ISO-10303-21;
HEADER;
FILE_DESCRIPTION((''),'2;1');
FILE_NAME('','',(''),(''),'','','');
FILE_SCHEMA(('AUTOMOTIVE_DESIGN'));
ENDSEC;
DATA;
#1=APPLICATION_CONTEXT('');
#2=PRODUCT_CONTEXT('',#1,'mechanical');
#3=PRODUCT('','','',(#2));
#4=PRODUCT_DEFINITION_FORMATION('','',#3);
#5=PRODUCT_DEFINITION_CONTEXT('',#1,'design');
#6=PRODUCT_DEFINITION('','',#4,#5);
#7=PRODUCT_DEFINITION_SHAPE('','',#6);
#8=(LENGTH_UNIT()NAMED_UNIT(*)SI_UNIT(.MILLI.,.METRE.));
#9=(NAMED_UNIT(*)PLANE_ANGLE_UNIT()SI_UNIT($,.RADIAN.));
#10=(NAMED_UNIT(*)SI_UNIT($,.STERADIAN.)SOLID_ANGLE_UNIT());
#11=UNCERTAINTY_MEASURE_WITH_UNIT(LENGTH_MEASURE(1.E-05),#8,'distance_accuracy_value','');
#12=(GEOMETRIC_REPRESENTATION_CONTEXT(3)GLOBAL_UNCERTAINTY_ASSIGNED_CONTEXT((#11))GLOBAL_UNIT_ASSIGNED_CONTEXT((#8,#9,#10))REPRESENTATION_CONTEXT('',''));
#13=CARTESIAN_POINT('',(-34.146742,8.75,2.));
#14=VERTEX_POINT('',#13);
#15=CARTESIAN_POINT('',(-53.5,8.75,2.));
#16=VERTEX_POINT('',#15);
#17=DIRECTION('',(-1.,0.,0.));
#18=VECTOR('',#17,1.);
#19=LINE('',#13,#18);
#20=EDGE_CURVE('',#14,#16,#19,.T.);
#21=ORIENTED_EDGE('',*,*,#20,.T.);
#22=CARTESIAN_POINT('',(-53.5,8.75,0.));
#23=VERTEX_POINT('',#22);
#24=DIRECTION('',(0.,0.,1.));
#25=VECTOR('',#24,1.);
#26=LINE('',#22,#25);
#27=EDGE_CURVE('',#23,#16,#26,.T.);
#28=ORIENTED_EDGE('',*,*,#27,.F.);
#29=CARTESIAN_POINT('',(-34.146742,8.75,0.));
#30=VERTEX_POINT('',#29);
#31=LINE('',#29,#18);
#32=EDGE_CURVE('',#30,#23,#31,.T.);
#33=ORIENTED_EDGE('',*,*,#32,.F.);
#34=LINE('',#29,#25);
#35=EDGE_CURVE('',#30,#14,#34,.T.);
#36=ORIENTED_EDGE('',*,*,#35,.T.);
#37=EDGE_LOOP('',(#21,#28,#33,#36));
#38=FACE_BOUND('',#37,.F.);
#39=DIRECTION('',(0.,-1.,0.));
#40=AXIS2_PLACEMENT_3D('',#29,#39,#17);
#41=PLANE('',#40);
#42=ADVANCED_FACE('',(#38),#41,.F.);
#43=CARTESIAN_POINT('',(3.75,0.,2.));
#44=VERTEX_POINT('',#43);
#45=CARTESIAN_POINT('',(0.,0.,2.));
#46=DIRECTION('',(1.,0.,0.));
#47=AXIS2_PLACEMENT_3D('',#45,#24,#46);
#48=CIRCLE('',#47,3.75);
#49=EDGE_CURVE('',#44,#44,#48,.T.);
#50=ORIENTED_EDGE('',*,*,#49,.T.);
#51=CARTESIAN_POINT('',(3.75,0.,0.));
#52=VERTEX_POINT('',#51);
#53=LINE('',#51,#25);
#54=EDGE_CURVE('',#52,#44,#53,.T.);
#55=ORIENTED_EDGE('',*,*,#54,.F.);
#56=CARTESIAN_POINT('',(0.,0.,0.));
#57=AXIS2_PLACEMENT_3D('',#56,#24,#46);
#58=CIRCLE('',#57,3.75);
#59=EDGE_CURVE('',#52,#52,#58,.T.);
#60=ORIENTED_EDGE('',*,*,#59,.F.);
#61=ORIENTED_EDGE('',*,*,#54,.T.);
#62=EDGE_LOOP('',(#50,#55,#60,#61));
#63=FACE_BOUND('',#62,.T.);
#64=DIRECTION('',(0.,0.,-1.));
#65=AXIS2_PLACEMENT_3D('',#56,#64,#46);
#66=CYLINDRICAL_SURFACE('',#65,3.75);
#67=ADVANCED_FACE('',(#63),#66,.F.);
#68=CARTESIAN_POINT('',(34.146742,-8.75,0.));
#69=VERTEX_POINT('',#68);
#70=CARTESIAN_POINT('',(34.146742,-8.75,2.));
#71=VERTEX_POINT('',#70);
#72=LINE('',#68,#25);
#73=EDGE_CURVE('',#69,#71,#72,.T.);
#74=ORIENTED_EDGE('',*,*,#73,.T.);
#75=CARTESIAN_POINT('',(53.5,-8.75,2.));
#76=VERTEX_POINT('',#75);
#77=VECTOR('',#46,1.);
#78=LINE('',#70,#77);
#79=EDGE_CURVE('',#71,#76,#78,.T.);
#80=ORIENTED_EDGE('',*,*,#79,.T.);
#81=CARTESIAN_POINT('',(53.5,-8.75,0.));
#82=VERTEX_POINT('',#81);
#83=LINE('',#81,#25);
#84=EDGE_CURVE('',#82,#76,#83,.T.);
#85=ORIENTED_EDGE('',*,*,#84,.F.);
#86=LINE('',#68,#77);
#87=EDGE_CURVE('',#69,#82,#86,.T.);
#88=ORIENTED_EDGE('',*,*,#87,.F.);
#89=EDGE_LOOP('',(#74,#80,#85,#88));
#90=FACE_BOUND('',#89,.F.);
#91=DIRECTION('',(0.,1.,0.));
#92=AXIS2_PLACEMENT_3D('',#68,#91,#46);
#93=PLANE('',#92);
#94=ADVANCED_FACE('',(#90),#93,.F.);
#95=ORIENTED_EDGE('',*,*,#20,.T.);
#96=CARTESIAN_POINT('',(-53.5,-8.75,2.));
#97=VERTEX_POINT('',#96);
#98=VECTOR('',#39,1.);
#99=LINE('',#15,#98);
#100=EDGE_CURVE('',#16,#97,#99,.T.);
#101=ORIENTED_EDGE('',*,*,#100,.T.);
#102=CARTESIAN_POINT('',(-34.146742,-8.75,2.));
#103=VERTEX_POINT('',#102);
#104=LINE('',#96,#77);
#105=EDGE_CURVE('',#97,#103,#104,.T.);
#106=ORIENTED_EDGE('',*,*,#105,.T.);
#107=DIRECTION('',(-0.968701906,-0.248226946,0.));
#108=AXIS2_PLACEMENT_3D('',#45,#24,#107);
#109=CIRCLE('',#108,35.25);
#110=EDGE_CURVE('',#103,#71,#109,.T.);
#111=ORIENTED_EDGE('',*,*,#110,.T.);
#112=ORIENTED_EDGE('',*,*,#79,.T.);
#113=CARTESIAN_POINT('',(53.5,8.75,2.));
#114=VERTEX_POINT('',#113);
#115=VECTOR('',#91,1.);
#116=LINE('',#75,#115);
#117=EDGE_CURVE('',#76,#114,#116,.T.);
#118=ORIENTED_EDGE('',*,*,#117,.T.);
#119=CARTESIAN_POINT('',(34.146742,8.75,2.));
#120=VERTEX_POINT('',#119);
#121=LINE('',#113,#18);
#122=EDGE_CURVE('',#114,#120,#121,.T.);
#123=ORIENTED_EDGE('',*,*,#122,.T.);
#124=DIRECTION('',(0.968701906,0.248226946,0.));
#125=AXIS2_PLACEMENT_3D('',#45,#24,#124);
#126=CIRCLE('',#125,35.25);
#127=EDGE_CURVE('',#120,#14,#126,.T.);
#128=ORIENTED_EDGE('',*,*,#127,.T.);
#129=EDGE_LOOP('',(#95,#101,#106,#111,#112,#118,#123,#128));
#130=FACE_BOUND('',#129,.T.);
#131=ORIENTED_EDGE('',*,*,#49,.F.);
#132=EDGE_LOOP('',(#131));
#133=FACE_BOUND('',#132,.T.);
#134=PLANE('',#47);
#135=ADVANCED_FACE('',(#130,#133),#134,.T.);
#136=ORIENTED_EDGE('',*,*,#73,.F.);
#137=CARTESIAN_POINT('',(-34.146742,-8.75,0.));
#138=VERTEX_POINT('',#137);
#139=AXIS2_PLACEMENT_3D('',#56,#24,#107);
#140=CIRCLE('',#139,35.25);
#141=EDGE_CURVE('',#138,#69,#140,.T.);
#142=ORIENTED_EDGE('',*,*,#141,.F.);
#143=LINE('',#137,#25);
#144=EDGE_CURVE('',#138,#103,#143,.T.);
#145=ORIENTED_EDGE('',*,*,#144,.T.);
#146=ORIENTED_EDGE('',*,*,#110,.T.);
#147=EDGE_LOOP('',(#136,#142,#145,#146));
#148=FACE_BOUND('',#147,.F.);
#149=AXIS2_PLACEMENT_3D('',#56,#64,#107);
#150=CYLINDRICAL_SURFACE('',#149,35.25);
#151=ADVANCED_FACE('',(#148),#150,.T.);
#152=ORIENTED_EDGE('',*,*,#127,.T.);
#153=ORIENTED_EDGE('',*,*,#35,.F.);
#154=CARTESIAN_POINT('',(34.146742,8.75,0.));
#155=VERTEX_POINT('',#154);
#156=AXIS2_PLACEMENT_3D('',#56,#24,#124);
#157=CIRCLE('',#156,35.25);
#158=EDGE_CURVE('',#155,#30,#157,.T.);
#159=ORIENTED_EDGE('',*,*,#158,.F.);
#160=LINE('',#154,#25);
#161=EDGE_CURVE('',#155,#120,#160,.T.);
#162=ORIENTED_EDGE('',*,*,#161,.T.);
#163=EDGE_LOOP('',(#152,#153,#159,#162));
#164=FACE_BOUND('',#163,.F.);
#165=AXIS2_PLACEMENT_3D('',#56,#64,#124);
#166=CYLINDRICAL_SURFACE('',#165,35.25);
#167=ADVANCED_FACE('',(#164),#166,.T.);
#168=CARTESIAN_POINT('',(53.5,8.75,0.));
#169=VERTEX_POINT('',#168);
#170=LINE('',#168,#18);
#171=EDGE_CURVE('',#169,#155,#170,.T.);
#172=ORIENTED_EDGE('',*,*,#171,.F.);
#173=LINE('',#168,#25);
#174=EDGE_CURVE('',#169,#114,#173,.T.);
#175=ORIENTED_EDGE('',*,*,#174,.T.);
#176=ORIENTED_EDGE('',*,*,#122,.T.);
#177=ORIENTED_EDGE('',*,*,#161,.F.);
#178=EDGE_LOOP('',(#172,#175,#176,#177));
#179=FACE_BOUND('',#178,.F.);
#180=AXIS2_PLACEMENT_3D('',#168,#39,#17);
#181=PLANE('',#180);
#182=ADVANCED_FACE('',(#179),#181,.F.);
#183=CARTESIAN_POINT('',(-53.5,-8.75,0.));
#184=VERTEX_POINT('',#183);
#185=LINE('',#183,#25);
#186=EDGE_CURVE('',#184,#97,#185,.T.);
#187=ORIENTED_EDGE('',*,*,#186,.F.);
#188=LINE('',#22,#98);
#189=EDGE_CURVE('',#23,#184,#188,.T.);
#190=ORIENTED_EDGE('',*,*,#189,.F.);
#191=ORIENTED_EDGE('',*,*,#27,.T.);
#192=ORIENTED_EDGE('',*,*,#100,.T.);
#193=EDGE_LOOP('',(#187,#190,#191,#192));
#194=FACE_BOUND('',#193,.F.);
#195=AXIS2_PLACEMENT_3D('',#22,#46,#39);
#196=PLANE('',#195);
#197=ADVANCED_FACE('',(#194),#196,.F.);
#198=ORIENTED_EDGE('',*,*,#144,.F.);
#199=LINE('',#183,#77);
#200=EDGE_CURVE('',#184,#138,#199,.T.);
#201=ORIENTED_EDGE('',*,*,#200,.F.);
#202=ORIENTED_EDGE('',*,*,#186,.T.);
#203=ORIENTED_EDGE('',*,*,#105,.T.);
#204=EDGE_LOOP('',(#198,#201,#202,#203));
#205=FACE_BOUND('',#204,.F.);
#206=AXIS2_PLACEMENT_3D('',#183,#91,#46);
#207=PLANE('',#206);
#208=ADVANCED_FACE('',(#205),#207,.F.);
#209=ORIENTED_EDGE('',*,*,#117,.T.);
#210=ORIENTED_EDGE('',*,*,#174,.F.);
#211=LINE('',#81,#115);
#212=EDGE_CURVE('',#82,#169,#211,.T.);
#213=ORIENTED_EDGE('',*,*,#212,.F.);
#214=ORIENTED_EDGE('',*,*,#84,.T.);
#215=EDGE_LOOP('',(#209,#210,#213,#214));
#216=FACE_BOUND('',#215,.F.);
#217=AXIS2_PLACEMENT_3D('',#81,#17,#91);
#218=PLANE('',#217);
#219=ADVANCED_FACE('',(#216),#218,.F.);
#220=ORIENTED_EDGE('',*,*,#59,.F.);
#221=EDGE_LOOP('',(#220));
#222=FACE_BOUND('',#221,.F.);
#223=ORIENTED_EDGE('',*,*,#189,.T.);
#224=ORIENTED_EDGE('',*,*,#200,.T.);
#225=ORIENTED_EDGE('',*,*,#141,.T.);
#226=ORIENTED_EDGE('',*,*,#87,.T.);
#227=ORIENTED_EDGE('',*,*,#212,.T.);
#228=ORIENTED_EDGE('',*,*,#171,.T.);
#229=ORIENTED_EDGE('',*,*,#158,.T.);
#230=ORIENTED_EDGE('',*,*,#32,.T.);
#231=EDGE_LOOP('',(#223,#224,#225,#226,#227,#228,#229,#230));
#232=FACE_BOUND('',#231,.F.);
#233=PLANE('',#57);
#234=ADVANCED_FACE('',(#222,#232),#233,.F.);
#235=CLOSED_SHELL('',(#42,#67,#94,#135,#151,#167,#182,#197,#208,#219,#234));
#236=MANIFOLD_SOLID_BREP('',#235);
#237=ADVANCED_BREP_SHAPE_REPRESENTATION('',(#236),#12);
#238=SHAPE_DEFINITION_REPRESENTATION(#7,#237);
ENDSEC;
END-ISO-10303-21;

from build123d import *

# Parameters (mm, degrees)
F0_R     = 3.75
F1_DEPTH = 2


with BuildPart() as f1:
    # F0 (on Top) → F1 (new body)
    with BuildSketch(Plane.XY):
        with BuildLine():
            Line((-53.5, -8.75), (-34.146742, -8.75))
            ThreePointArc((-34.146742, -8.75), (0, -35.25), (34.146742, -8.75))
            Line((34.146742, -8.75), (53.5, -8.75))
            Line((53.5, -8.75), (53.5, 8.75))
            Line((53.5, 8.75), (34.146742, 8.75))
            ThreePointArc((34.146742, 8.75), (0, 35.25), (-34.146742, 8.75))
            Line((-34.146742, 8.75), (-53.5, 8.75))
            Line((-53.5, 8.75), (-53.5, -8.75))
        make_face()
        Circle(F0_R, mode=Mode.SUBTRACT)
    extrude(amount=F1_DEPTH)


solid = f1.part
